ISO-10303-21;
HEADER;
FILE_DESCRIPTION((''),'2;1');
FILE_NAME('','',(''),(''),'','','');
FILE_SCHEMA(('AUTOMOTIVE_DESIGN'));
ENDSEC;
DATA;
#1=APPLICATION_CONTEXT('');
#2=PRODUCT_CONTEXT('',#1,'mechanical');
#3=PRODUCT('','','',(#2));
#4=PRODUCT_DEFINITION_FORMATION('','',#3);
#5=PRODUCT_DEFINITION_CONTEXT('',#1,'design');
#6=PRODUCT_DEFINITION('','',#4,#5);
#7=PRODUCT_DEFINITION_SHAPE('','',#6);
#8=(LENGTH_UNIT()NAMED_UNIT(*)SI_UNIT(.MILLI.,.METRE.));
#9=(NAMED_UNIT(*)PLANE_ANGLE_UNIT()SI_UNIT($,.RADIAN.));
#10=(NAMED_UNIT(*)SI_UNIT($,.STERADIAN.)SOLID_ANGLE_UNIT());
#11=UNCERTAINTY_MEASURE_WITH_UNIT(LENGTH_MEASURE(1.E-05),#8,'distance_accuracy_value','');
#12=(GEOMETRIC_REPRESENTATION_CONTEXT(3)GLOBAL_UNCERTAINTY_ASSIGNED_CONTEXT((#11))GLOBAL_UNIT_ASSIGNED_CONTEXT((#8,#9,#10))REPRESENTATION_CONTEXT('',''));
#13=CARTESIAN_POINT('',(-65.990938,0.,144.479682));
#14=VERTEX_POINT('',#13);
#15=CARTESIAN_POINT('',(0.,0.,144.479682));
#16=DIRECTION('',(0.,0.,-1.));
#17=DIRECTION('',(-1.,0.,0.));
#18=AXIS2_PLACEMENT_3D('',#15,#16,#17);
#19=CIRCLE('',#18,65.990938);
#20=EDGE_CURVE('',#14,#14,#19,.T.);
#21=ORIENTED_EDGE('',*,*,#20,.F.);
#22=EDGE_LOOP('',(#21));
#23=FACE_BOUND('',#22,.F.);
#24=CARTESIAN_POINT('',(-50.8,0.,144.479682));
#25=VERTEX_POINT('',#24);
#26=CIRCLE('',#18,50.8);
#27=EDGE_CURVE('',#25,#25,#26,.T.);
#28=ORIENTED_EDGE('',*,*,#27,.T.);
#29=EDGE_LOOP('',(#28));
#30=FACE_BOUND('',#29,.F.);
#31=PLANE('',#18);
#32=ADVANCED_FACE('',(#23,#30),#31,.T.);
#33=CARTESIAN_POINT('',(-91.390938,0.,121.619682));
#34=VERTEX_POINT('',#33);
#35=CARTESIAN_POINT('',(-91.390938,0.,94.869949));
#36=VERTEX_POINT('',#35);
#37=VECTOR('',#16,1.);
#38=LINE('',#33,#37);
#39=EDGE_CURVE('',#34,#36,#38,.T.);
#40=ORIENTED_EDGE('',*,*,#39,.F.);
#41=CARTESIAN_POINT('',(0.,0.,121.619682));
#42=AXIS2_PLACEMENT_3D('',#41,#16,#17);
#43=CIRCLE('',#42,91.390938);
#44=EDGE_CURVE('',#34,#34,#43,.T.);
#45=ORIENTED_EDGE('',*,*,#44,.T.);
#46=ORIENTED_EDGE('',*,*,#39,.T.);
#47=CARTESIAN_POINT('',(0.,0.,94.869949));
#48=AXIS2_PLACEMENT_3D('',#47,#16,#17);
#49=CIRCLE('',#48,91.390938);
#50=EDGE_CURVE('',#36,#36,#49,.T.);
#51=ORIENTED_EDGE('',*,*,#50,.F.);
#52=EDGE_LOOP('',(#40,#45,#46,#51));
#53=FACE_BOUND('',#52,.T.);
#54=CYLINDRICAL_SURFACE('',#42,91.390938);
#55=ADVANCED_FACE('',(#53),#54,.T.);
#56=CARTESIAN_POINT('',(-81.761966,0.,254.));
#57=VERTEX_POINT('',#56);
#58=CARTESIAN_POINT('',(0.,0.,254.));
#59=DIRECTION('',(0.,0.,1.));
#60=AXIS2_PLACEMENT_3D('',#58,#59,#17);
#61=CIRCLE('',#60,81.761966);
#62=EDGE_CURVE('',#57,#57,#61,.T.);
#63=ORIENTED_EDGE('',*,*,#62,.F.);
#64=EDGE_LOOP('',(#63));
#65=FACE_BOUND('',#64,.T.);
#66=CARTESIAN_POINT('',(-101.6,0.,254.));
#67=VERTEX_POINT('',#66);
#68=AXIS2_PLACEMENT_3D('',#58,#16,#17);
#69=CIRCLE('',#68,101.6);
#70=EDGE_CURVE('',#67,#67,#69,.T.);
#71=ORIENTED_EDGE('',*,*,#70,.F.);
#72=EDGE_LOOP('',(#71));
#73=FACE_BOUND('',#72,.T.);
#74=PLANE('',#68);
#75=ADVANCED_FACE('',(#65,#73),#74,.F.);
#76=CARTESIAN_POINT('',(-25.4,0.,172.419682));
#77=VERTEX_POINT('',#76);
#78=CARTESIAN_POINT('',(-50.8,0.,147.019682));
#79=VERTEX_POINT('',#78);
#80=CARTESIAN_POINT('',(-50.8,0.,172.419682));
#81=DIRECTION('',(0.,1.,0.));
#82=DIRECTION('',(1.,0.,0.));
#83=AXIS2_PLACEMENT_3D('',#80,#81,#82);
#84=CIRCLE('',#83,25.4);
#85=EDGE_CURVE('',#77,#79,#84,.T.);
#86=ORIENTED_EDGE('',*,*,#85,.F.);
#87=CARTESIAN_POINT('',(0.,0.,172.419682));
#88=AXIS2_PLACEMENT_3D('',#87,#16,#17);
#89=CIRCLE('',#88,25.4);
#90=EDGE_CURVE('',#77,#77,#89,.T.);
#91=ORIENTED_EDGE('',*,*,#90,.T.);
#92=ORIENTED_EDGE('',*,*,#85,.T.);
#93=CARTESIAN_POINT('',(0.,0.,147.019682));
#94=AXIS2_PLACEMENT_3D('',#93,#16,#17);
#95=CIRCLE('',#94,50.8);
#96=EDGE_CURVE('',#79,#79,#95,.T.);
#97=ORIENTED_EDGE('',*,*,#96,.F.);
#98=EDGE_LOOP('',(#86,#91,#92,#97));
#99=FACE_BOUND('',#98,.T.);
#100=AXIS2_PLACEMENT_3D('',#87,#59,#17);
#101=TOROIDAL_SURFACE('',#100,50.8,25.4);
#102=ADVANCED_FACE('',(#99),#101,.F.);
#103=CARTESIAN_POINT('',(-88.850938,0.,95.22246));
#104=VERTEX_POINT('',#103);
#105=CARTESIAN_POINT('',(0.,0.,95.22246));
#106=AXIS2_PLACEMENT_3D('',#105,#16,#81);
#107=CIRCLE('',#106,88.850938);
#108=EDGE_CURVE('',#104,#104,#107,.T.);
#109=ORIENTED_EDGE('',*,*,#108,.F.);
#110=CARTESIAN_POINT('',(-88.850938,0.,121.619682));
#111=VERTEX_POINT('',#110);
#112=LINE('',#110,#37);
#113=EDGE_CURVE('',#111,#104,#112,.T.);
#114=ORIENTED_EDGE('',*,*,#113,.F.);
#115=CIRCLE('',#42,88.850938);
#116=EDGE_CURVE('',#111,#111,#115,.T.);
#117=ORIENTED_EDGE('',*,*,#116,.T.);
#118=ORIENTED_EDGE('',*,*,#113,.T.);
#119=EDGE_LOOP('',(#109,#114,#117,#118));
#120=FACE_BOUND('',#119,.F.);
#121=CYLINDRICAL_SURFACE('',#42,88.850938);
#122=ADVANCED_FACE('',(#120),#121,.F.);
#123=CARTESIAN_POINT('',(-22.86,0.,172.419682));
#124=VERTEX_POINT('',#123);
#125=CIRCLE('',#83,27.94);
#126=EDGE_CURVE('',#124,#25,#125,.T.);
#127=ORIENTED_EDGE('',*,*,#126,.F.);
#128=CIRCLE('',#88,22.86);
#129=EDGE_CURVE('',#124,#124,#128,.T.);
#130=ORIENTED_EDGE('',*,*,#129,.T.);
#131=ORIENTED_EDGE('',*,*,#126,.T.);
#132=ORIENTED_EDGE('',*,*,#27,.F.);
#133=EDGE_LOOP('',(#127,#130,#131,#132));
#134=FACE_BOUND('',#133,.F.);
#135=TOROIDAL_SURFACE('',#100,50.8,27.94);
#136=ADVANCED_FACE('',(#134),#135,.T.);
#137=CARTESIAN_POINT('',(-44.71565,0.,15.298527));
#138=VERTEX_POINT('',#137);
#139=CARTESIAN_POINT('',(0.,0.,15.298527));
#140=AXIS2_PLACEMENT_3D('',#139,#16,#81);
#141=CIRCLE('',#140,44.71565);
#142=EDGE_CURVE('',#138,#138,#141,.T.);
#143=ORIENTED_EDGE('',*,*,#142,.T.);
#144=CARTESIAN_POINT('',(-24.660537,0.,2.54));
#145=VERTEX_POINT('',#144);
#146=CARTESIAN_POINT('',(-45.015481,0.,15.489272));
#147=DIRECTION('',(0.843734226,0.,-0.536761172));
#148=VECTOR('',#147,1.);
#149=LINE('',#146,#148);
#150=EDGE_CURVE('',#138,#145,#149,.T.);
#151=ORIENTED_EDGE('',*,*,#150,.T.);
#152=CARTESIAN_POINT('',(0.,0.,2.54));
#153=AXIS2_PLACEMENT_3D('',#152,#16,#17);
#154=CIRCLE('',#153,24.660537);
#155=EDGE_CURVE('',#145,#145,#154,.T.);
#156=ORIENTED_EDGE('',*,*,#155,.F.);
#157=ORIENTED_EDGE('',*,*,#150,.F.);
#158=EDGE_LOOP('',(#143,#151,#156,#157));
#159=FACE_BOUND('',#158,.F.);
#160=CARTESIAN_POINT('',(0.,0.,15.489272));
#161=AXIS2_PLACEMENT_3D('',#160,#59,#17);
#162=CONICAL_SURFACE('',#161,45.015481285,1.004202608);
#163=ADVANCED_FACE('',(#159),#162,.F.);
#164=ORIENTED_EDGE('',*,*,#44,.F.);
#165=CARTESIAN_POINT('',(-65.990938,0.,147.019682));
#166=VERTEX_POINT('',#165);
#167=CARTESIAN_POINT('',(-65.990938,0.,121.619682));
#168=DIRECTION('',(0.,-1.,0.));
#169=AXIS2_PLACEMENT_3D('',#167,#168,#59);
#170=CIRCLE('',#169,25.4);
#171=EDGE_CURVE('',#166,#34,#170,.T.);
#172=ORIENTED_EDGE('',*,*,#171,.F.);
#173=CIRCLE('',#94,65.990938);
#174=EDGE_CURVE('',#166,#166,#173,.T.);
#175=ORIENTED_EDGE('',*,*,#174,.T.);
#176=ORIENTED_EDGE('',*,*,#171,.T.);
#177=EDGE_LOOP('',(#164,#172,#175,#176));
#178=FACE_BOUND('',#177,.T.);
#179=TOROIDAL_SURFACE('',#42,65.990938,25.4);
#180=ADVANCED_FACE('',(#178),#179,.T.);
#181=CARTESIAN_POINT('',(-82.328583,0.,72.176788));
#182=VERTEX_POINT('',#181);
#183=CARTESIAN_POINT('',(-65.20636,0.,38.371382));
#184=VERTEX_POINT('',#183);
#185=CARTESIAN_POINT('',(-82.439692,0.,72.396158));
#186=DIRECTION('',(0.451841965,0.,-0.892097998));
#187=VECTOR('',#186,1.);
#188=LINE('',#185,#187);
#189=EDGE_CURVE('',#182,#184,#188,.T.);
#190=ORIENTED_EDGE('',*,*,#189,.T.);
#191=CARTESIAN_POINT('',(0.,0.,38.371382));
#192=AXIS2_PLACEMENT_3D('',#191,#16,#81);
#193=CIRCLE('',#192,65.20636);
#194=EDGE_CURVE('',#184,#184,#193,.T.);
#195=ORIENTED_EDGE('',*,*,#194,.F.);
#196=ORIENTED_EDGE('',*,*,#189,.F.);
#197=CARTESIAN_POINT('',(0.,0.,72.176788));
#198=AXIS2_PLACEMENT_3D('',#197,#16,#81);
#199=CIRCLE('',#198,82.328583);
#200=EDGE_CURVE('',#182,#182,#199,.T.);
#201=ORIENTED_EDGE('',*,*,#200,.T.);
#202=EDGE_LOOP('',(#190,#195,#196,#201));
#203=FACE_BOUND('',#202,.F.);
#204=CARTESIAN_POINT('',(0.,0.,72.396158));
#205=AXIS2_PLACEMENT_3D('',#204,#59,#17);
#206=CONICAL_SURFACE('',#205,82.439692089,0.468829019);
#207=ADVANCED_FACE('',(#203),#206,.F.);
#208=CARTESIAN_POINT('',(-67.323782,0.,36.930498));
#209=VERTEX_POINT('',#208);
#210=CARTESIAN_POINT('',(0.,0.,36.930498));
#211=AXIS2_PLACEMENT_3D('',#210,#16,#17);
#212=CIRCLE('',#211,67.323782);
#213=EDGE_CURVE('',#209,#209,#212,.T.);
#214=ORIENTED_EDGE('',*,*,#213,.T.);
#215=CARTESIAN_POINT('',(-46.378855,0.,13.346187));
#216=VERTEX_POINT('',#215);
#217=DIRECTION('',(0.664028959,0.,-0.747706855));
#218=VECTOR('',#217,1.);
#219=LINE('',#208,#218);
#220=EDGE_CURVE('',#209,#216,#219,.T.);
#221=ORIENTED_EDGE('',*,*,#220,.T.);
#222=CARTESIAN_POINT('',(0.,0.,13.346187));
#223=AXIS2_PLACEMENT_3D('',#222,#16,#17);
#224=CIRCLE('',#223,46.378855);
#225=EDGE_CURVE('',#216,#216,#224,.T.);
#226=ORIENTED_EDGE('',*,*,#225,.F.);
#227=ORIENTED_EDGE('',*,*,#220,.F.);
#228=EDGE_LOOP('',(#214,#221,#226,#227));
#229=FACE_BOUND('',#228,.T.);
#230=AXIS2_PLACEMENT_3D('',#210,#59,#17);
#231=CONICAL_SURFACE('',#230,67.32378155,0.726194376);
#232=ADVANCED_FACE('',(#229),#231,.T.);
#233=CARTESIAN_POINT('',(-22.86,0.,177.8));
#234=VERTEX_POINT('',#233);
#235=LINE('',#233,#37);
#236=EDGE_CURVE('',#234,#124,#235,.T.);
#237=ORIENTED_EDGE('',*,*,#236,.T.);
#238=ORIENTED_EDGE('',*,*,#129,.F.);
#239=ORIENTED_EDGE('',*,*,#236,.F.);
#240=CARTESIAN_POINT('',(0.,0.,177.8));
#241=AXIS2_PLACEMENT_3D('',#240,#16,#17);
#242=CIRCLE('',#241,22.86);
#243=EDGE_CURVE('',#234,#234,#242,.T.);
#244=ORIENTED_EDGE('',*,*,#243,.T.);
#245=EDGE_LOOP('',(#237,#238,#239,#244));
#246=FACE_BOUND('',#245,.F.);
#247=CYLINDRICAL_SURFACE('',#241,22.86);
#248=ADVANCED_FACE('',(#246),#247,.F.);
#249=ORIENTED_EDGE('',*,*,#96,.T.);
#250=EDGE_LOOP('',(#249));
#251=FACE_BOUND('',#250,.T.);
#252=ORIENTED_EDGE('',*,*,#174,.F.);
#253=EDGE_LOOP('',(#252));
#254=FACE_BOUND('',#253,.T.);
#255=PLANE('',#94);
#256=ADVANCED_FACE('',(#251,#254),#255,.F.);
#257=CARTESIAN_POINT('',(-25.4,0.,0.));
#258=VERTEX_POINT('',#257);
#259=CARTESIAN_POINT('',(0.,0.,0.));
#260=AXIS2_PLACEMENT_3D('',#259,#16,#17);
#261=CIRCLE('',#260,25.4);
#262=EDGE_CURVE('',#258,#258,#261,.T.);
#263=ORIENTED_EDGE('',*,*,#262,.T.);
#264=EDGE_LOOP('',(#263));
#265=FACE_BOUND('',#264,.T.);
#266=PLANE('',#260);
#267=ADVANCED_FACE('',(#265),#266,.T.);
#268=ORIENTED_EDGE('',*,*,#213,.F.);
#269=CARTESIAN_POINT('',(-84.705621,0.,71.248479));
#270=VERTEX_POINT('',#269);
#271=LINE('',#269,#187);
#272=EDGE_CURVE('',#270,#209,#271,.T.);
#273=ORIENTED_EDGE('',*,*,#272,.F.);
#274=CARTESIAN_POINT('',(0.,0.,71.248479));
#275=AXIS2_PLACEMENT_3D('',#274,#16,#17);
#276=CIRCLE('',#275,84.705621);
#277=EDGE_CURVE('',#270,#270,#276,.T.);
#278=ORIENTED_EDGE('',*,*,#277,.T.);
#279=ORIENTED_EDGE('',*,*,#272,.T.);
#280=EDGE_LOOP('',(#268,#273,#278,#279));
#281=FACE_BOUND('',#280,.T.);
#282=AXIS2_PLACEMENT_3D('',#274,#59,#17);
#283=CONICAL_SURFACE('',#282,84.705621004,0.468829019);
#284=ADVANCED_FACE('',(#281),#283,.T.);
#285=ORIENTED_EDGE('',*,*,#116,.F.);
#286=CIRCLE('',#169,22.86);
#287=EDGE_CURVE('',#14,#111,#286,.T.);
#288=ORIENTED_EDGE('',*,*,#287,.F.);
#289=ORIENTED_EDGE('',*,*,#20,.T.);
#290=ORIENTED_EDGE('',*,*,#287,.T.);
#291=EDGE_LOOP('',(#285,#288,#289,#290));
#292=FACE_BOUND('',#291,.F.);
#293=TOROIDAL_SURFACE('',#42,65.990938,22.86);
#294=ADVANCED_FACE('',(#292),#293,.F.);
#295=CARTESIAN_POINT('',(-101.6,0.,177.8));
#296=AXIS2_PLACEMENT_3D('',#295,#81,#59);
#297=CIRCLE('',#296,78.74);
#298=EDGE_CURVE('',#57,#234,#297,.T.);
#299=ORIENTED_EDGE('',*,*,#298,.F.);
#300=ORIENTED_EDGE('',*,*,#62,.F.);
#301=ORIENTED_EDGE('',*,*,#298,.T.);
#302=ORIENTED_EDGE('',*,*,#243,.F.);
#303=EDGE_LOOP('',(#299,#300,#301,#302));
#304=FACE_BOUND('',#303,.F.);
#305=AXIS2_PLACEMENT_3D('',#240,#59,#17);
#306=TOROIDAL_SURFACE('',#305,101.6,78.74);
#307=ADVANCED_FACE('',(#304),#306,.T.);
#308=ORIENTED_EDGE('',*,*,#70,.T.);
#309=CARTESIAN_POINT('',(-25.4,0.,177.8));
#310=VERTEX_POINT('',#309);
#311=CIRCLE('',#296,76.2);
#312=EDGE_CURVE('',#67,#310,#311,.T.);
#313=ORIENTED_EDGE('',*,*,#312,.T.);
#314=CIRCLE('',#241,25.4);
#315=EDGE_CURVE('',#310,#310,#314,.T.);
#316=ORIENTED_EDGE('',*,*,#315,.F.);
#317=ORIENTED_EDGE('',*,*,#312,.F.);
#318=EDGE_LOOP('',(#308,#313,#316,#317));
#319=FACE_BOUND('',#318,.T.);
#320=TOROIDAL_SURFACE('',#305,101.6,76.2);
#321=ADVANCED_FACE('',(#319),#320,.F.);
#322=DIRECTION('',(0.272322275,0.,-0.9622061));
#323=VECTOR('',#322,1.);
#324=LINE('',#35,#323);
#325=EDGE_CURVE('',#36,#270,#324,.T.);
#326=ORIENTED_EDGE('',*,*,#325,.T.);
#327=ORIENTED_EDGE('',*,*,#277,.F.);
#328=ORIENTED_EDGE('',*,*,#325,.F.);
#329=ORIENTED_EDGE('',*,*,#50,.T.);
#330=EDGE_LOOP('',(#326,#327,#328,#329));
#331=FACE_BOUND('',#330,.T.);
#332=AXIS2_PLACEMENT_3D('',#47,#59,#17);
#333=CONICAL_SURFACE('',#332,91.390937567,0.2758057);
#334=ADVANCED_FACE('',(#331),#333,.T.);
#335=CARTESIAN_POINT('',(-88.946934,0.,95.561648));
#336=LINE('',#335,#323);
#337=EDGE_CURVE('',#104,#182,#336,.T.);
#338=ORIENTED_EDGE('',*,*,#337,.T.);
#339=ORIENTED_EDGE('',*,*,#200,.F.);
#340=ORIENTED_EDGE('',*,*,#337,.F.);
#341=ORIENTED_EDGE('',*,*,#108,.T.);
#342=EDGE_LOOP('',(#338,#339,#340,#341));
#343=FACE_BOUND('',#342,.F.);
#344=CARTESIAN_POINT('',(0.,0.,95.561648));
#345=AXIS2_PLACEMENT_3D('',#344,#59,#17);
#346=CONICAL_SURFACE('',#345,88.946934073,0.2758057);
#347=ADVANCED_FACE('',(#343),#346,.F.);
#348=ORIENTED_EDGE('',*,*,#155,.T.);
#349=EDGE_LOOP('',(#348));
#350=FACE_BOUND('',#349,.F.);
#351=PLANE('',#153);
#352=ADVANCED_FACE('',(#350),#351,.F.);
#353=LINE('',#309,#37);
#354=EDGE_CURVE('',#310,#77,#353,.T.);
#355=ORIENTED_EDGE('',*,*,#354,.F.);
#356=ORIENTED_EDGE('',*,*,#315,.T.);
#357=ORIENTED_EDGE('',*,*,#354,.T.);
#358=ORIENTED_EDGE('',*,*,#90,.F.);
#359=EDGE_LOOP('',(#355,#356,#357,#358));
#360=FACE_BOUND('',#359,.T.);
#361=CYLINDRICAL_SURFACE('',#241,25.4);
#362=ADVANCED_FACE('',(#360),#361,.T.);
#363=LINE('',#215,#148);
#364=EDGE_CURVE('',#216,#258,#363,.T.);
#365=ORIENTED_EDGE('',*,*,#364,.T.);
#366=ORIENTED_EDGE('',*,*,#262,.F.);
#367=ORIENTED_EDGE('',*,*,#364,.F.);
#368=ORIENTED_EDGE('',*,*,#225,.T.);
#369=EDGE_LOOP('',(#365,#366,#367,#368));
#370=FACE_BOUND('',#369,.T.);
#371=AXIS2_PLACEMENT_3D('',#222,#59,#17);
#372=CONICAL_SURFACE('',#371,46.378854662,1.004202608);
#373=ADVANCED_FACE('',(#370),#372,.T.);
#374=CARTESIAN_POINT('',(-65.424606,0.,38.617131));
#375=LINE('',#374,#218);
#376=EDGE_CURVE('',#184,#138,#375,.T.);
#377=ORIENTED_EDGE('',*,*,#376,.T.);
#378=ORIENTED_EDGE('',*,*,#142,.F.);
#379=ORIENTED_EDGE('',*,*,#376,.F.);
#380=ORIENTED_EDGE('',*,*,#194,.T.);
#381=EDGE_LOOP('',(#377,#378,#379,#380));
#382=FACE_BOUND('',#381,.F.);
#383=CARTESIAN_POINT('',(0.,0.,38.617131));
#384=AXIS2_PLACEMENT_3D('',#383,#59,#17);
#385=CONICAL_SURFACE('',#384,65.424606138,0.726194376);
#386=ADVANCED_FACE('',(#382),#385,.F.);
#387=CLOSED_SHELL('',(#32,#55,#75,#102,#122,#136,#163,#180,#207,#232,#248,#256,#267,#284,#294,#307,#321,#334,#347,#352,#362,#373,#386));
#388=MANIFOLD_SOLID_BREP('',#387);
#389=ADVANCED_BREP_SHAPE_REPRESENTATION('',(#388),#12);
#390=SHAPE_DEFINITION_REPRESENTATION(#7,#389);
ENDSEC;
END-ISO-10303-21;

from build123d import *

# Parameters (mm, degrees)
F2_T = -2.54


with BuildPart() as f1:
    # F0 (on Front) → F1 (revolve)
    with BuildSketch(Plane.XZ):
        with BuildLine():
            Line((-46.3788546622, 13.346186839), (-25.4, 0))
            Line((-25.4, 0), (0, 0))
            Line((0, 0), (0, 254))
            Line((0, 254), (-76.2, 254))
            Line((-76.2, 254), (-101.6, 254))
            ThreePointArc((-101.6, 254), (-47.7184632736, 231.6815367264), (-25.4, 177.8))
            Line((-25.4, 177.8), (-25.4, 172.4196821451))
            ThreePointArc((-25.4, 172.4196821451), (-32.8394877579, 154.459169903), (-50.8, 147.0196821451))
            Line((-50.8, 147.0196821451), (-65.9909375668, 147.0196821451))
            ThreePointArc((-65.9909375668, 147.0196821451), (-83.9514498089, 139.5801943873), (-91.3909375668, 121.6196821451))
            Line((-91.3909375668, 121.6196821451), (-91.3909375668, 104.6750843525))
            Line((-91.3909375668, 104.6750843525), (-91.3909375668, 94.8699489236))
            Line((-91.3909375668, 94.8699489236), (-84.7056210041, 71.2484791875))
            Line((-84.7056210041, 71.2484791875), (-67.3237815499, 36.9304977357))
            Line((-67.3237815499, 36.9304977357), (-46.3788546622, 13.346186839))
        make_face()
    revolve(axis=Axis((0, 0, 127), (0, 0, -1)))

    # F2
    f2_openings = [f1.faces().sort_by_distance(p)[0] for p in [
        (0, 0, 254),
    ]]
    offset(amount=F2_T, openings=f2_openings)


solid = f1.part
